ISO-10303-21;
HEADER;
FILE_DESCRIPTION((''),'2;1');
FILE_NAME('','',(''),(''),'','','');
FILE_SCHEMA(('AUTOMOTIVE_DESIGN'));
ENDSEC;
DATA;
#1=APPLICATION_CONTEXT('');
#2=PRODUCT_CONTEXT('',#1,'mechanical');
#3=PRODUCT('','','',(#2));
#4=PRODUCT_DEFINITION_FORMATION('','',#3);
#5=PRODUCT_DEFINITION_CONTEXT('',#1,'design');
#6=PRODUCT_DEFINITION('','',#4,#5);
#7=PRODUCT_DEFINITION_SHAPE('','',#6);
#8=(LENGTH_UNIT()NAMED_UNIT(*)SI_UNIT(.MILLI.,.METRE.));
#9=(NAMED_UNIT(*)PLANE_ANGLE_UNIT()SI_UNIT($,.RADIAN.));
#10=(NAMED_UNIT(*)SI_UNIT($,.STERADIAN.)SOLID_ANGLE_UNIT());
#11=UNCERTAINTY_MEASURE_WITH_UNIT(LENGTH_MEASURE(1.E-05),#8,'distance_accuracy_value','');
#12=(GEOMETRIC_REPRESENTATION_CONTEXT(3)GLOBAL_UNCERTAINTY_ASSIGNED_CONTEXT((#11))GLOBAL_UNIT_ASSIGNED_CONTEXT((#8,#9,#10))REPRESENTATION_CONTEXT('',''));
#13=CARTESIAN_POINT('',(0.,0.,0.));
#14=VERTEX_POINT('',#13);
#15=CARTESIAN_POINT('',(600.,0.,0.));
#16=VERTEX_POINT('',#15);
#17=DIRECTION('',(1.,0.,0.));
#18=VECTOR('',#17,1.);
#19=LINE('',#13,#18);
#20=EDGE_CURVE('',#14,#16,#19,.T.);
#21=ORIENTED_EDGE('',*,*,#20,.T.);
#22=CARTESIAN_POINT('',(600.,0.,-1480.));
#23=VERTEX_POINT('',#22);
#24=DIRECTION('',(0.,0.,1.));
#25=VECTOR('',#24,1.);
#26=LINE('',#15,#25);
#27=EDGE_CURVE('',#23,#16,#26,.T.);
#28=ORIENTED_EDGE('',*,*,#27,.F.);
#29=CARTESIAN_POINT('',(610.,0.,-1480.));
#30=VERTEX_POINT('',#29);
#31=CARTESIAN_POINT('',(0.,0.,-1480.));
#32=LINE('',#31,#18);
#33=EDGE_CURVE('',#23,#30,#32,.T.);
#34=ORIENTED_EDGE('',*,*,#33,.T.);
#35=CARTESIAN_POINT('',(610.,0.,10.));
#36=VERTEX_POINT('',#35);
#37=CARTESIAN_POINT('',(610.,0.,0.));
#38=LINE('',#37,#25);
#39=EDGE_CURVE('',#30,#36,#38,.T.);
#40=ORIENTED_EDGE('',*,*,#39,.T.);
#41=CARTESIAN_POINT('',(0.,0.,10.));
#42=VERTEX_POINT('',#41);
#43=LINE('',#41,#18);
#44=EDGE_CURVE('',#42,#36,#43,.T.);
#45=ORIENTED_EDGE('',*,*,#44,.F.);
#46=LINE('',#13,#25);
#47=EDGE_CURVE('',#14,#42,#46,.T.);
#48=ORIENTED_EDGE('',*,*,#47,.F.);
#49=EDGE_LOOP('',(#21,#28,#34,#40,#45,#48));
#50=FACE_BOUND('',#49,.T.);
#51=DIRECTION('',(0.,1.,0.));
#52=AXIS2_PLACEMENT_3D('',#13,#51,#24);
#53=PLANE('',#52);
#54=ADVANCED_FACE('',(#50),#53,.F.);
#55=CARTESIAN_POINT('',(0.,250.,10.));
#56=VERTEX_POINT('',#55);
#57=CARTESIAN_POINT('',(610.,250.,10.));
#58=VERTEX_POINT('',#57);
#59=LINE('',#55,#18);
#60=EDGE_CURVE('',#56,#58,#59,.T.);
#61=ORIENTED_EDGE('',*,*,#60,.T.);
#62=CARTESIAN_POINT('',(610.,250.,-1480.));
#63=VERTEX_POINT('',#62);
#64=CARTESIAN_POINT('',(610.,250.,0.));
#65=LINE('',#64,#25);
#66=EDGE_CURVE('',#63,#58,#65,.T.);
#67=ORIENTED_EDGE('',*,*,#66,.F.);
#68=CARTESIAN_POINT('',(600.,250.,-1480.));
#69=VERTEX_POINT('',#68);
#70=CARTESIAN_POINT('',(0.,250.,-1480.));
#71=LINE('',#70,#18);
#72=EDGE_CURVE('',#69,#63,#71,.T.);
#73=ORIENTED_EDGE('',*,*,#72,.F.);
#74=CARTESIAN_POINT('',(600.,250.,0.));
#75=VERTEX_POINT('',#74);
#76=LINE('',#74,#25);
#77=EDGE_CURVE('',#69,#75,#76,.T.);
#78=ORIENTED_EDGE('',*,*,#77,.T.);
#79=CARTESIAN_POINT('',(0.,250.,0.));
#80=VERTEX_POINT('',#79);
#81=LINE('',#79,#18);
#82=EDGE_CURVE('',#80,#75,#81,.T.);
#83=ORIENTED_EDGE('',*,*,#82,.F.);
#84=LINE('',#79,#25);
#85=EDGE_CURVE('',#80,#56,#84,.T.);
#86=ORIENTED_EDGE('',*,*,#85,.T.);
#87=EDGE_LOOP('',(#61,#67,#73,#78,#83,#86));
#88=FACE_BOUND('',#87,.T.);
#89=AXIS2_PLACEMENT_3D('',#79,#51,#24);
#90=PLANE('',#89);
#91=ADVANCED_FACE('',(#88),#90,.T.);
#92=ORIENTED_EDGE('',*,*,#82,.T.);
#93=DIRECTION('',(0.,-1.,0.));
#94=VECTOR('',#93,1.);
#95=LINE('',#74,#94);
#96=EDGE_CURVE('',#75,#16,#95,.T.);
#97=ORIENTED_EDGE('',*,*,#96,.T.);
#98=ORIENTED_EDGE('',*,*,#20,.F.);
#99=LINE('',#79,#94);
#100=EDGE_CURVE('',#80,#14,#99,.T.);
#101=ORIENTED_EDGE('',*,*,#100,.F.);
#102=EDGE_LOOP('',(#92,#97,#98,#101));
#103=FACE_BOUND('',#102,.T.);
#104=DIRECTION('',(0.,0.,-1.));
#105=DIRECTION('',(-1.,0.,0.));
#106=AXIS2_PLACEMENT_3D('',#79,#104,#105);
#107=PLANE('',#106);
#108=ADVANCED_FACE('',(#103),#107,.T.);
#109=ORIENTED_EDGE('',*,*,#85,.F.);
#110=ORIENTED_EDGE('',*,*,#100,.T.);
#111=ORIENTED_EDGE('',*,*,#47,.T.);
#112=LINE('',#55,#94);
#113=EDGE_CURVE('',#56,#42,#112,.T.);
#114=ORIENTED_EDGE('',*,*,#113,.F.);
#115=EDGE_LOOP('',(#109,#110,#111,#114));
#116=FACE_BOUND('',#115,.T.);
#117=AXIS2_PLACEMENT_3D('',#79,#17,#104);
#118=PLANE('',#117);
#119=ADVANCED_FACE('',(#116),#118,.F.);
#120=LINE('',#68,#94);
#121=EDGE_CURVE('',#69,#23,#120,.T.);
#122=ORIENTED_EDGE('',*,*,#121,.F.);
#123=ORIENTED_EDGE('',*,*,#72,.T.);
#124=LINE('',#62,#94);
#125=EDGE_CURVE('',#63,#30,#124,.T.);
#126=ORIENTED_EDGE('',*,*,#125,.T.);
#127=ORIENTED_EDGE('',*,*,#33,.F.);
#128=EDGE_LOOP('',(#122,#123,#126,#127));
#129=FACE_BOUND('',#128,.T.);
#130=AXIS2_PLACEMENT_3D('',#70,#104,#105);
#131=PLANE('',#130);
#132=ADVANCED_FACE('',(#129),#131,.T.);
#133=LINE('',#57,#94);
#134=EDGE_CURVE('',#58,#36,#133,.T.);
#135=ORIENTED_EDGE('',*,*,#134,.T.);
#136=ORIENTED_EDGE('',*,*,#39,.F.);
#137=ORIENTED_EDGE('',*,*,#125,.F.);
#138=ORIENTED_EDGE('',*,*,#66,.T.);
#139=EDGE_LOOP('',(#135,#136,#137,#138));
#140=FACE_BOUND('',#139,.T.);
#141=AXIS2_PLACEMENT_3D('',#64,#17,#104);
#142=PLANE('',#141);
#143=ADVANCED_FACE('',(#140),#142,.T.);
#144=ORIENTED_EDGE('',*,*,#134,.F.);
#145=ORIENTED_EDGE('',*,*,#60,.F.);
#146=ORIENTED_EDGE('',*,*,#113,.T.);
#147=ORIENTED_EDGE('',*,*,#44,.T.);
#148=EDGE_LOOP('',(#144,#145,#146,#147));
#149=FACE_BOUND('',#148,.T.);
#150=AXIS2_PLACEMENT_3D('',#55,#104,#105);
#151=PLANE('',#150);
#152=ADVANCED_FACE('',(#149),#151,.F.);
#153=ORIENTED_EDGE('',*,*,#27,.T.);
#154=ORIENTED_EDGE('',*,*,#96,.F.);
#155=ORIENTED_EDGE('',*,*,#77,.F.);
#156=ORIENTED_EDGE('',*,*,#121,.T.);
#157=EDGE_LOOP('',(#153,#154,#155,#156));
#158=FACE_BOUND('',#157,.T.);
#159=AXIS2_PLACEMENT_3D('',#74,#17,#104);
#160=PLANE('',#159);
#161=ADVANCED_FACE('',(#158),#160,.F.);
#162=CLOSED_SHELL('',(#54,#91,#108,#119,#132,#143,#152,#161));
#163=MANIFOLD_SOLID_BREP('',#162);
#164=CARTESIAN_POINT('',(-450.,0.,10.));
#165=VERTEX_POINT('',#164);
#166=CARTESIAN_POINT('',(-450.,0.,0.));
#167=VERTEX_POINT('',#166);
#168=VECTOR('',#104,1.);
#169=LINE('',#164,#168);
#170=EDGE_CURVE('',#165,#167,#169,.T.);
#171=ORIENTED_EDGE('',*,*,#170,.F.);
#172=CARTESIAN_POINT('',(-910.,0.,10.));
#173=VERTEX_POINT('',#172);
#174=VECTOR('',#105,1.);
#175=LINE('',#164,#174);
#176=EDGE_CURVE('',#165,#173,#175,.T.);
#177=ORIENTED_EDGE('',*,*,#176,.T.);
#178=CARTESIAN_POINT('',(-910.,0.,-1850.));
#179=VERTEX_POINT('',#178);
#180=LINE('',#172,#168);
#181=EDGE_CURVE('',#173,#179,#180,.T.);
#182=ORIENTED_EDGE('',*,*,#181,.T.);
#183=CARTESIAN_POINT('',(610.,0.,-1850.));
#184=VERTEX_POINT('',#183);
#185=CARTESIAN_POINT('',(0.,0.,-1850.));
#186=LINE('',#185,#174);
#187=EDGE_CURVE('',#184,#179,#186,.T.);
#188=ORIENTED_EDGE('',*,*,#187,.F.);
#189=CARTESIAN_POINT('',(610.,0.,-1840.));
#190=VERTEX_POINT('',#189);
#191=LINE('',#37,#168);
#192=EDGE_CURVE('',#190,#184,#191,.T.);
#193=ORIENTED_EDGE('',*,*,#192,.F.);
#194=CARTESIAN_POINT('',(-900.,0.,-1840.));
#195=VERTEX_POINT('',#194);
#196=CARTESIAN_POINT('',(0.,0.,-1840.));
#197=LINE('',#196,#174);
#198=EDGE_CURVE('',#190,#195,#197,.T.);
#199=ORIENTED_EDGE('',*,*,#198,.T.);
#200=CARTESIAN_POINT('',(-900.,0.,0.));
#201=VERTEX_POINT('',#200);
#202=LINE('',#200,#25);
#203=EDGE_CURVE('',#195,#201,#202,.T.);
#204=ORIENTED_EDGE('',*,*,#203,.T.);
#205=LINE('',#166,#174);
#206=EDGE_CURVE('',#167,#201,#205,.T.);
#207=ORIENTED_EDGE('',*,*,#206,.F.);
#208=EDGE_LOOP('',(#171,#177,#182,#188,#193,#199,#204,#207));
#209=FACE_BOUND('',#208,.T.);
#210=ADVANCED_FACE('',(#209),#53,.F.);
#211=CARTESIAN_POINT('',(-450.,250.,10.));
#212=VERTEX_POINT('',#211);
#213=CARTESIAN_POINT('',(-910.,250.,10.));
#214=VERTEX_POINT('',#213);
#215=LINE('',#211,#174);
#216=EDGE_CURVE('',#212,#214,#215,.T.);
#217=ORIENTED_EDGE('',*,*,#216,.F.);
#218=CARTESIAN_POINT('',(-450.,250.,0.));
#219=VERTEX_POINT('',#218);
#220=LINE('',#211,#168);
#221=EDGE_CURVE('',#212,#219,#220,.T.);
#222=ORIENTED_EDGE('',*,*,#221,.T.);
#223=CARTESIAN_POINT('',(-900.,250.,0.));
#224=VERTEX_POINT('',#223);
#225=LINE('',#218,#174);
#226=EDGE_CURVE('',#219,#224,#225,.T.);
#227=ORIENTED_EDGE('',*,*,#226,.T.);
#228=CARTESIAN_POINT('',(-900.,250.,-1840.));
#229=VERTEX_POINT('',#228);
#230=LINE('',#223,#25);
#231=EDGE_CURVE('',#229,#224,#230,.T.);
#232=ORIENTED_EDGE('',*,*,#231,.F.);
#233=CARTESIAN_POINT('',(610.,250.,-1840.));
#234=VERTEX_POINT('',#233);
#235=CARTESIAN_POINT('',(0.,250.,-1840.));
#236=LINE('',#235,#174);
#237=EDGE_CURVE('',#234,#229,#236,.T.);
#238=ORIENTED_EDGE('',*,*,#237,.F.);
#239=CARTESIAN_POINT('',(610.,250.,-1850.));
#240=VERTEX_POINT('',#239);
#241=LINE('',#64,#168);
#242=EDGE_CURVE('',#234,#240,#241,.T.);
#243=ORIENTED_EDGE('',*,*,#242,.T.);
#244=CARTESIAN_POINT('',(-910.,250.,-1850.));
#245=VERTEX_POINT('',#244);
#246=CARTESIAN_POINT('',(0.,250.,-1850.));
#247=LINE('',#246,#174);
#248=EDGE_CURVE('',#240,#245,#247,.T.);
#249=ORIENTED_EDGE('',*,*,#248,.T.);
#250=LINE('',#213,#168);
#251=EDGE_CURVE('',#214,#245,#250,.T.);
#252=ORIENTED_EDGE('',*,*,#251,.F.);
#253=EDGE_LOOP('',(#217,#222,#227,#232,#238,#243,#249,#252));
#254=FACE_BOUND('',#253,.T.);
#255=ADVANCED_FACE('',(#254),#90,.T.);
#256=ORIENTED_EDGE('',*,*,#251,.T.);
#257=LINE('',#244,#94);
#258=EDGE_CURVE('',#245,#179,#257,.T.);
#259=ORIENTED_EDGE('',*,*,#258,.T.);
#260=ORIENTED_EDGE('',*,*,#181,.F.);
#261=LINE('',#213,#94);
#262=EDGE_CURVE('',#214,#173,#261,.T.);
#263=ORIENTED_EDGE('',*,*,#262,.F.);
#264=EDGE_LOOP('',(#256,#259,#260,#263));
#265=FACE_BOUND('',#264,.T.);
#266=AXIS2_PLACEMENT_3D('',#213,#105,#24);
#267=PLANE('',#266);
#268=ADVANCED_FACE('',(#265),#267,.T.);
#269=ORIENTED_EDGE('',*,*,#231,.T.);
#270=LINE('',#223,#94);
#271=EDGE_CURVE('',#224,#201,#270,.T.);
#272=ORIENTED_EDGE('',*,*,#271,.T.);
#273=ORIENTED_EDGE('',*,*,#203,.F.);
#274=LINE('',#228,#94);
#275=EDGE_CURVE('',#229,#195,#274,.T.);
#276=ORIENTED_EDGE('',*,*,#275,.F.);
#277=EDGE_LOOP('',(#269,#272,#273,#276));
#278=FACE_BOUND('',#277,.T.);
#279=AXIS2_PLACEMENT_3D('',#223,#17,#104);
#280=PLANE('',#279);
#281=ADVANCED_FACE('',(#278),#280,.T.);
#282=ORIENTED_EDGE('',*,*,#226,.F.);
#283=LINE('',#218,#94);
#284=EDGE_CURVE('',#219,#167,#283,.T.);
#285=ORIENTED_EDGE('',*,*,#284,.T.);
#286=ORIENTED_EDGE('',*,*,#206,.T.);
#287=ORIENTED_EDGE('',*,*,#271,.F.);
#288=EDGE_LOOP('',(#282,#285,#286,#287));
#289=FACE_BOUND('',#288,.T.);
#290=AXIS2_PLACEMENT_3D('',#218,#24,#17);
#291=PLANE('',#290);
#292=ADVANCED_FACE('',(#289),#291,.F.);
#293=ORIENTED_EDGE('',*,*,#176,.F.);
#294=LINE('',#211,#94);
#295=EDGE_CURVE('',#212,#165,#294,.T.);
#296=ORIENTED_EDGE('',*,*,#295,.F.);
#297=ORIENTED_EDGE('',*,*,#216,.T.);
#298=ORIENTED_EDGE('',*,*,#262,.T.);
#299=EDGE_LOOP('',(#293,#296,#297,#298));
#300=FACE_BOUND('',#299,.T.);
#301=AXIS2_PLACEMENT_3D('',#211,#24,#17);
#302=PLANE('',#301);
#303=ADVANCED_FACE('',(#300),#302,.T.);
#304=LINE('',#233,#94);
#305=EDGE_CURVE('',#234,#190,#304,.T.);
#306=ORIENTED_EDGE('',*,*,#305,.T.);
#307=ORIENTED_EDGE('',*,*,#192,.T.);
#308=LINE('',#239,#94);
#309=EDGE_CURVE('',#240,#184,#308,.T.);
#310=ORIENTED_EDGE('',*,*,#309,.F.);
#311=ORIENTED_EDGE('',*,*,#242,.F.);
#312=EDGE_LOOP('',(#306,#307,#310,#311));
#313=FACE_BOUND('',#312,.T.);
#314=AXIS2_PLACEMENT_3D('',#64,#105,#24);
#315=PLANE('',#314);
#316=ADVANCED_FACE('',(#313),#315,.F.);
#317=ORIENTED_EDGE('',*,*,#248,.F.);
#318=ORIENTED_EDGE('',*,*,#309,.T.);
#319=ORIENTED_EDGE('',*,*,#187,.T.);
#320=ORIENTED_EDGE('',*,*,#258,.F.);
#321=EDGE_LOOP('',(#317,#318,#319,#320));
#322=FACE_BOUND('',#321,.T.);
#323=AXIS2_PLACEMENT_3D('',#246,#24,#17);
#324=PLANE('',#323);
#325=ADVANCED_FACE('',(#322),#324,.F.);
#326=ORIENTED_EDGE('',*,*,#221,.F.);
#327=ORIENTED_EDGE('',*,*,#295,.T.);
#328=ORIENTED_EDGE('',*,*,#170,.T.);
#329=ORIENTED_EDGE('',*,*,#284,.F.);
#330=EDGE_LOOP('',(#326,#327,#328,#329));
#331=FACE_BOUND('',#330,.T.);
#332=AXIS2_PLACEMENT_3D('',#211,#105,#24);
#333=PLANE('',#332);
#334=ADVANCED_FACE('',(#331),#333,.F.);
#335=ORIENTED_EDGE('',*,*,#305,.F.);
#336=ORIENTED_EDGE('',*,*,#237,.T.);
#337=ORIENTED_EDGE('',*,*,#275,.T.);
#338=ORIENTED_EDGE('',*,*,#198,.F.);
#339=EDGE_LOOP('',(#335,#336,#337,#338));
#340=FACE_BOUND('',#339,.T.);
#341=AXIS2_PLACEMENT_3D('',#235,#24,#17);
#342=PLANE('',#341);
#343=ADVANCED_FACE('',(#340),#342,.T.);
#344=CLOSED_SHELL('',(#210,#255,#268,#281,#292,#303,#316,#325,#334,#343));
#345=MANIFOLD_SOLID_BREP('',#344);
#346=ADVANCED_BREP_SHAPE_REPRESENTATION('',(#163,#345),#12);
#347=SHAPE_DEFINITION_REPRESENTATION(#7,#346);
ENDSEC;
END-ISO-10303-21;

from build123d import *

# Parameters (mm, degrees)
SKETCH2_W           = 460
SKETCH2_H           = 10
BOSS_EXTRUDE2_DEPTH = 250
BOSS_EXTRUDE3_DEPTH = 250
BOSS_EXTRUDE4_DEPTH = 250
SKETCH2_14_W        = 10
SKETCH2_14_H        = 1480
BOSS_EXTRUDE5_DEPTH = 250
SKETCH2_15_W        = 1510
SKETCH2_15_H        = 10
BOSS_EXTRUDE6_DEPTH = 250


with BuildPart() as part:
    # Sketch2 → Boss-Extrude2 (new body)
    with BuildSketch(Plane(origin=(0, 0, 0), x_dir=(1, 0, 0), z_dir=(0, 1, 0))):
        with Locations((-680, -5)):
            Rectangle(SKETCH2_W, SKETCH2_H)
    extrude(amount=BOSS_EXTRUDE2_DEPTH)

    # Sketch2<11> → Boss-Extrude3 (add)
    with BuildSketch(Plane(origin=(0, 0, 0), x_dir=(1, 0, 0), z_dir=(0, 1, 0))):
        Polygon((-910, 1850), (-910, 0), (-900, 0), (-900, 1840), (-900, 1850), align=None)
    extrude(amount=BOSS_EXTRUDE3_DEPTH)

    # Sketch2<15> → Boss-Extrude6 (add)
    with BuildSketch(Plane(origin=(0, 0, 0), x_dir=(1, 0, 0), z_dir=(0, 1, 0))):
        with Locations((-145, 1845)):
            Rectangle(SKETCH2_15_W, SKETCH2_15_H)
    extrude(amount=BOSS_EXTRUDE6_DEPTH)


with BuildPart() as body_2:
    # Sketch2<12> → Boss-Extrude4 (new body)
    with BuildSketch(Plane(origin=(0, 0, 0), x_dir=(1, 0, 0), z_dir=(0, 1, 0))):
        Polygon((600, 0), (0, 0), (0, -10), (610, -10), (610, 0), align=None)
    extrude(amount=BOSS_EXTRUDE4_DEPTH)

    # Sketch2<14> → Boss-Extrude5 (add)
    with BuildSketch(Plane(origin=(0, 0, 0), x_dir=(1, 0, 0), z_dir=(0, 1, 0))):
        with Locations((605, 740)):
            Rectangle(SKETCH2_14_W, SKETCH2_14_H)
    extrude(amount=BOSS_EXTRUDE5_DEPTH)


solid = Compound([part.part, body_2.part])
